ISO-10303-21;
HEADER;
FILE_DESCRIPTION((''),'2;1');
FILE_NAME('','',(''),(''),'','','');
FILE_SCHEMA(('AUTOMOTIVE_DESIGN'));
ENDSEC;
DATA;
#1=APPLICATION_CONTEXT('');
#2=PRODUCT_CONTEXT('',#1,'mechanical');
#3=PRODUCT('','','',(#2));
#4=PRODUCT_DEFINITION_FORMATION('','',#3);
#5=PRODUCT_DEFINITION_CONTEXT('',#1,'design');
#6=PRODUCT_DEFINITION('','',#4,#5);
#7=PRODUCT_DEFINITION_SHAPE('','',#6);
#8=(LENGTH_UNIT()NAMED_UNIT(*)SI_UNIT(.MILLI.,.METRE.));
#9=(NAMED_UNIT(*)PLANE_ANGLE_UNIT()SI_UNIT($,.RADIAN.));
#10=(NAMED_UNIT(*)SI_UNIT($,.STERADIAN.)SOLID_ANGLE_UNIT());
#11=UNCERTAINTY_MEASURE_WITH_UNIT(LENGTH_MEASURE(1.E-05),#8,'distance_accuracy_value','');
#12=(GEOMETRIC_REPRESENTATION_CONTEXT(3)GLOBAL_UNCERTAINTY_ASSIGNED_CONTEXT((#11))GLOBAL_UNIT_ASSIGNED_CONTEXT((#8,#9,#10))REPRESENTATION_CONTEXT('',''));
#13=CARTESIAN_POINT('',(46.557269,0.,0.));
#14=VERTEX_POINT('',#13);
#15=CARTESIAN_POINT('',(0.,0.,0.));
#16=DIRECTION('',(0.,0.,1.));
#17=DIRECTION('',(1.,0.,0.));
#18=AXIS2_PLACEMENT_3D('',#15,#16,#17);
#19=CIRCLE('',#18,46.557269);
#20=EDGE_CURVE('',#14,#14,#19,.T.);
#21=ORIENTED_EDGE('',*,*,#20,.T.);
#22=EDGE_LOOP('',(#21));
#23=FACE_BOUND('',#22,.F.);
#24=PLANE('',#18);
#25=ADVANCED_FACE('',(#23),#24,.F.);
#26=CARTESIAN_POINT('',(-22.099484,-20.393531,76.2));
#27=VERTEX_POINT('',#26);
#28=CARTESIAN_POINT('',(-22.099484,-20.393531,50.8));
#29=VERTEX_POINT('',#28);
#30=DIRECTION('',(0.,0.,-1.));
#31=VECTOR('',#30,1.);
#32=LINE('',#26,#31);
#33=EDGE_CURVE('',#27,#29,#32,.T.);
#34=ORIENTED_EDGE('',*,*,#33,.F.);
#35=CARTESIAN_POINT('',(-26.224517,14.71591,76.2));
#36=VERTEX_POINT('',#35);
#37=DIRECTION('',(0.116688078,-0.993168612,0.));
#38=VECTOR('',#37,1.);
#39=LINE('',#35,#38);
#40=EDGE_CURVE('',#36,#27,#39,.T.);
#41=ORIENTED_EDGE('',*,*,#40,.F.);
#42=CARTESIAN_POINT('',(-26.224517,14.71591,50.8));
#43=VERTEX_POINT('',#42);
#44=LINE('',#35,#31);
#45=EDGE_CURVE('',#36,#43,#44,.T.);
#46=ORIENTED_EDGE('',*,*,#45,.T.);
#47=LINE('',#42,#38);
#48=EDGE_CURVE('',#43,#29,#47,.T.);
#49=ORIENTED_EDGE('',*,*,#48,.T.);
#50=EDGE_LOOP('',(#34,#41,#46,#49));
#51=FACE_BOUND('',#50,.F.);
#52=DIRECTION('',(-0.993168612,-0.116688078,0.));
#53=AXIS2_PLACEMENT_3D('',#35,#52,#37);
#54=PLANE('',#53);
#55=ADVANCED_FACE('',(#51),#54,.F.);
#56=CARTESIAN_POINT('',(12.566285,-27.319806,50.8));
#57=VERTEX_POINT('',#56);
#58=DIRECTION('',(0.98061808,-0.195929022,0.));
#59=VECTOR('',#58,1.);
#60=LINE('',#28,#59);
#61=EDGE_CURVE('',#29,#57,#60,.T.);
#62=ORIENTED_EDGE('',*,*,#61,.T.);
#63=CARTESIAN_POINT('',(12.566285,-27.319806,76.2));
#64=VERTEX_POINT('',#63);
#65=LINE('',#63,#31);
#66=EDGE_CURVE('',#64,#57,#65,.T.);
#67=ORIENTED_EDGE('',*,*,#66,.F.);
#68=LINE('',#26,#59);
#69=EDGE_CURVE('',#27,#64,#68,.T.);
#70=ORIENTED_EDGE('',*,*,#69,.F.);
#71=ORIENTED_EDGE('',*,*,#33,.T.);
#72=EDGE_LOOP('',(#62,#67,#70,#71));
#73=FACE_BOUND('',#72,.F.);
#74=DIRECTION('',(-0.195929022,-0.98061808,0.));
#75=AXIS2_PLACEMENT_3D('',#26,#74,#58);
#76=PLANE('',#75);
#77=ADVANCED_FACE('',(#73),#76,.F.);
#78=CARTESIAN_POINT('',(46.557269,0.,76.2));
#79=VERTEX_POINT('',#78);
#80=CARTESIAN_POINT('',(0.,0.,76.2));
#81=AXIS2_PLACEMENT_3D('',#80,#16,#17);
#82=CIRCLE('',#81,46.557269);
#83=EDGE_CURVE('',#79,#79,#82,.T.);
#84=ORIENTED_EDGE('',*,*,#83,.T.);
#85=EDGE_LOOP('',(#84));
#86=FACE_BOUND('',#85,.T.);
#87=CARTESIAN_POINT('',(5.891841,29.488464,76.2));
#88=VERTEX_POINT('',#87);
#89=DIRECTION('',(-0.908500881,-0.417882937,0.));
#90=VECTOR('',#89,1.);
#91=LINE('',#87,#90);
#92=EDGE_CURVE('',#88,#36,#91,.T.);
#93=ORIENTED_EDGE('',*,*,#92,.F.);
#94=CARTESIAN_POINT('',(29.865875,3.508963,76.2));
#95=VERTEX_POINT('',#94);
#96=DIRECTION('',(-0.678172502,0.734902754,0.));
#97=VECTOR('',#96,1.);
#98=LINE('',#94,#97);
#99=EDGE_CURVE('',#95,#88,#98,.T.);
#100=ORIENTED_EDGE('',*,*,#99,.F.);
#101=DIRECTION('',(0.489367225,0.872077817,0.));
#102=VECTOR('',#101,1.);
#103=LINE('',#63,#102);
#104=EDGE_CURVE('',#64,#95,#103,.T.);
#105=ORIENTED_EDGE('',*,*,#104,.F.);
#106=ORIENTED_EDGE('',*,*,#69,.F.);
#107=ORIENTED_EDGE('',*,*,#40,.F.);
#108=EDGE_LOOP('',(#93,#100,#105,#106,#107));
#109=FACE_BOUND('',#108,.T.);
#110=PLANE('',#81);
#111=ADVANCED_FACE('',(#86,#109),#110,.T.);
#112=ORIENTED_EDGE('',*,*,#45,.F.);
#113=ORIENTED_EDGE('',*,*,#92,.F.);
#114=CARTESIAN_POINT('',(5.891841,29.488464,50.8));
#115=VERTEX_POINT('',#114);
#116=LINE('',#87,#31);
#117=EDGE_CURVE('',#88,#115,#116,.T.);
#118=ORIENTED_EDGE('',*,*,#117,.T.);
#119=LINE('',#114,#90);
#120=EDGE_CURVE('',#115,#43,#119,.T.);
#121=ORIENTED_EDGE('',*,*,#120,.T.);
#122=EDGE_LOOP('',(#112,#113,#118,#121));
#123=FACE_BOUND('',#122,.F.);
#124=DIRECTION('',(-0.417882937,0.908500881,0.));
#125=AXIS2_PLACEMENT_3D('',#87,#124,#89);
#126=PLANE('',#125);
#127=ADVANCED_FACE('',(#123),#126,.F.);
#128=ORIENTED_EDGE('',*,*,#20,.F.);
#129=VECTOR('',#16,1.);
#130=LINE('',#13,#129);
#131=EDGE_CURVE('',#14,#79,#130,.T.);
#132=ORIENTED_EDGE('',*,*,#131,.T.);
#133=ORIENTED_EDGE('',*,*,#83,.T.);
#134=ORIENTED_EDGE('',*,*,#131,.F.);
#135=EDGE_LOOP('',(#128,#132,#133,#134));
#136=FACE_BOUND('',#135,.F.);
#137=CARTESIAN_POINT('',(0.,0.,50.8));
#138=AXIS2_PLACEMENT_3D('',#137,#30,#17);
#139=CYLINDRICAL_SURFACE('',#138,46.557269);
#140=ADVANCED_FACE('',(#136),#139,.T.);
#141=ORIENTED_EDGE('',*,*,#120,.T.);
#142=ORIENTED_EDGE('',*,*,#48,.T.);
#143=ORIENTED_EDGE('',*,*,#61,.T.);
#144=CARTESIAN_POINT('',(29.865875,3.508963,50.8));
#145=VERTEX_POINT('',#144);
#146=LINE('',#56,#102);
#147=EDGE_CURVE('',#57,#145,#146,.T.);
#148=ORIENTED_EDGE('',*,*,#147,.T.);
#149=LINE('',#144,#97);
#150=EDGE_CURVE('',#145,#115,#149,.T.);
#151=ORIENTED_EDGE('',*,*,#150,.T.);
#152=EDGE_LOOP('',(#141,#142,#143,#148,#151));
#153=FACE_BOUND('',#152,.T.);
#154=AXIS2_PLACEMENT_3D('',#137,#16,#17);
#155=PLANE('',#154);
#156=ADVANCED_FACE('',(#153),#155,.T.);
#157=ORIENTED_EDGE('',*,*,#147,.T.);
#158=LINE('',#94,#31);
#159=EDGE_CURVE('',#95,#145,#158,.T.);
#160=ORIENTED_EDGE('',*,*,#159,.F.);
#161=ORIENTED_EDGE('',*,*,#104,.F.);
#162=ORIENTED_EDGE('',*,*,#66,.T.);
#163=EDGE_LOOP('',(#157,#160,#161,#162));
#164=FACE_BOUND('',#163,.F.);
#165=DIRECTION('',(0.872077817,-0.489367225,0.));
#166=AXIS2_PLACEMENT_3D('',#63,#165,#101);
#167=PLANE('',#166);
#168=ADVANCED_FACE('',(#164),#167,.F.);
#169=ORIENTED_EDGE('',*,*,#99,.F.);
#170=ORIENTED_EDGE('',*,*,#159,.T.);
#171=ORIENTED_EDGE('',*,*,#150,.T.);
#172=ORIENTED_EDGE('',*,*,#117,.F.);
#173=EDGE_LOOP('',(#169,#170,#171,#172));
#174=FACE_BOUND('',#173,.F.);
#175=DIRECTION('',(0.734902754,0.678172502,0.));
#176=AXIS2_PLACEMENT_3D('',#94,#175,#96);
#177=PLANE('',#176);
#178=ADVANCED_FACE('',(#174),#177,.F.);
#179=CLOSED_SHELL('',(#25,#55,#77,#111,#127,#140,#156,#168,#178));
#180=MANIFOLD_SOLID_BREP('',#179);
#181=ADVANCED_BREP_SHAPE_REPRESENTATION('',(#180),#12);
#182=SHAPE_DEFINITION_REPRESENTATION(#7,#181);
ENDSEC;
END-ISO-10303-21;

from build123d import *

# Parameters (mm, degrees)
F0_R          = 46.5572685797
F1_DEPTH      = 25.4
F2_R          = 46.5572685797
F3_DEPTH      = 25.4
F3_DEPTH_BACK = 25.4
F4_R          = 46.5572685797
F5_DEPTH      = 25.4
F8_DEPTH      = 25.4
F9_DEPTH      = 25.4


with BuildPart() as f1:
    # F0 (on Top) → F1 (new body)
    with BuildSketch(Plane.XY):
        Circle(F0_R)
    extrude(amount=F1_DEPTH)

    # F2 (on face) → F3 (join, two sides)
    with BuildSketch(Plane.XY.offset(25.4)) as f3_sk:
        Circle(F2_R)
    extrude(amount=F3_DEPTH)
    extrude(f3_sk.sketch, amount=-F3_DEPTH_BACK)

    # F4 (on face) → F5 (join)
    with BuildSketch(Plane.XY.offset(50.8)):
        Circle(F4_R)
    extrude(amount=F5_DEPTH)

    # F6 (on face) → F8 (cut)
    with BuildSketch(Plane.XY.offset(76.2)):
        Polygon((12.566284557, -27.3198056045), (29.8658746284, 3.5089625988), (5.8918410671, 29.4884637558), (-26.2245165926, 14.7159102784), (-22.0994836598, -20.3935310284), align=None)
    extrude(amount=-F8_DEPTH, mode=Mode.SUBTRACT)

    # F7 (on face) → F9 (cut)
    with BuildSketch(Plane.XY):
        Polygon((-22.0994836598, -20.3935310284), (12.566284557, -27.3198056045), (29.8658746284, 3.5089625988), (5.8918410671, 29.4884637558), (-26.2245165926, 14.7159102784), align=None)
    extrude(amount=-F9_DEPTH, mode=Mode.SUBTRACT)


solid = f1.part
